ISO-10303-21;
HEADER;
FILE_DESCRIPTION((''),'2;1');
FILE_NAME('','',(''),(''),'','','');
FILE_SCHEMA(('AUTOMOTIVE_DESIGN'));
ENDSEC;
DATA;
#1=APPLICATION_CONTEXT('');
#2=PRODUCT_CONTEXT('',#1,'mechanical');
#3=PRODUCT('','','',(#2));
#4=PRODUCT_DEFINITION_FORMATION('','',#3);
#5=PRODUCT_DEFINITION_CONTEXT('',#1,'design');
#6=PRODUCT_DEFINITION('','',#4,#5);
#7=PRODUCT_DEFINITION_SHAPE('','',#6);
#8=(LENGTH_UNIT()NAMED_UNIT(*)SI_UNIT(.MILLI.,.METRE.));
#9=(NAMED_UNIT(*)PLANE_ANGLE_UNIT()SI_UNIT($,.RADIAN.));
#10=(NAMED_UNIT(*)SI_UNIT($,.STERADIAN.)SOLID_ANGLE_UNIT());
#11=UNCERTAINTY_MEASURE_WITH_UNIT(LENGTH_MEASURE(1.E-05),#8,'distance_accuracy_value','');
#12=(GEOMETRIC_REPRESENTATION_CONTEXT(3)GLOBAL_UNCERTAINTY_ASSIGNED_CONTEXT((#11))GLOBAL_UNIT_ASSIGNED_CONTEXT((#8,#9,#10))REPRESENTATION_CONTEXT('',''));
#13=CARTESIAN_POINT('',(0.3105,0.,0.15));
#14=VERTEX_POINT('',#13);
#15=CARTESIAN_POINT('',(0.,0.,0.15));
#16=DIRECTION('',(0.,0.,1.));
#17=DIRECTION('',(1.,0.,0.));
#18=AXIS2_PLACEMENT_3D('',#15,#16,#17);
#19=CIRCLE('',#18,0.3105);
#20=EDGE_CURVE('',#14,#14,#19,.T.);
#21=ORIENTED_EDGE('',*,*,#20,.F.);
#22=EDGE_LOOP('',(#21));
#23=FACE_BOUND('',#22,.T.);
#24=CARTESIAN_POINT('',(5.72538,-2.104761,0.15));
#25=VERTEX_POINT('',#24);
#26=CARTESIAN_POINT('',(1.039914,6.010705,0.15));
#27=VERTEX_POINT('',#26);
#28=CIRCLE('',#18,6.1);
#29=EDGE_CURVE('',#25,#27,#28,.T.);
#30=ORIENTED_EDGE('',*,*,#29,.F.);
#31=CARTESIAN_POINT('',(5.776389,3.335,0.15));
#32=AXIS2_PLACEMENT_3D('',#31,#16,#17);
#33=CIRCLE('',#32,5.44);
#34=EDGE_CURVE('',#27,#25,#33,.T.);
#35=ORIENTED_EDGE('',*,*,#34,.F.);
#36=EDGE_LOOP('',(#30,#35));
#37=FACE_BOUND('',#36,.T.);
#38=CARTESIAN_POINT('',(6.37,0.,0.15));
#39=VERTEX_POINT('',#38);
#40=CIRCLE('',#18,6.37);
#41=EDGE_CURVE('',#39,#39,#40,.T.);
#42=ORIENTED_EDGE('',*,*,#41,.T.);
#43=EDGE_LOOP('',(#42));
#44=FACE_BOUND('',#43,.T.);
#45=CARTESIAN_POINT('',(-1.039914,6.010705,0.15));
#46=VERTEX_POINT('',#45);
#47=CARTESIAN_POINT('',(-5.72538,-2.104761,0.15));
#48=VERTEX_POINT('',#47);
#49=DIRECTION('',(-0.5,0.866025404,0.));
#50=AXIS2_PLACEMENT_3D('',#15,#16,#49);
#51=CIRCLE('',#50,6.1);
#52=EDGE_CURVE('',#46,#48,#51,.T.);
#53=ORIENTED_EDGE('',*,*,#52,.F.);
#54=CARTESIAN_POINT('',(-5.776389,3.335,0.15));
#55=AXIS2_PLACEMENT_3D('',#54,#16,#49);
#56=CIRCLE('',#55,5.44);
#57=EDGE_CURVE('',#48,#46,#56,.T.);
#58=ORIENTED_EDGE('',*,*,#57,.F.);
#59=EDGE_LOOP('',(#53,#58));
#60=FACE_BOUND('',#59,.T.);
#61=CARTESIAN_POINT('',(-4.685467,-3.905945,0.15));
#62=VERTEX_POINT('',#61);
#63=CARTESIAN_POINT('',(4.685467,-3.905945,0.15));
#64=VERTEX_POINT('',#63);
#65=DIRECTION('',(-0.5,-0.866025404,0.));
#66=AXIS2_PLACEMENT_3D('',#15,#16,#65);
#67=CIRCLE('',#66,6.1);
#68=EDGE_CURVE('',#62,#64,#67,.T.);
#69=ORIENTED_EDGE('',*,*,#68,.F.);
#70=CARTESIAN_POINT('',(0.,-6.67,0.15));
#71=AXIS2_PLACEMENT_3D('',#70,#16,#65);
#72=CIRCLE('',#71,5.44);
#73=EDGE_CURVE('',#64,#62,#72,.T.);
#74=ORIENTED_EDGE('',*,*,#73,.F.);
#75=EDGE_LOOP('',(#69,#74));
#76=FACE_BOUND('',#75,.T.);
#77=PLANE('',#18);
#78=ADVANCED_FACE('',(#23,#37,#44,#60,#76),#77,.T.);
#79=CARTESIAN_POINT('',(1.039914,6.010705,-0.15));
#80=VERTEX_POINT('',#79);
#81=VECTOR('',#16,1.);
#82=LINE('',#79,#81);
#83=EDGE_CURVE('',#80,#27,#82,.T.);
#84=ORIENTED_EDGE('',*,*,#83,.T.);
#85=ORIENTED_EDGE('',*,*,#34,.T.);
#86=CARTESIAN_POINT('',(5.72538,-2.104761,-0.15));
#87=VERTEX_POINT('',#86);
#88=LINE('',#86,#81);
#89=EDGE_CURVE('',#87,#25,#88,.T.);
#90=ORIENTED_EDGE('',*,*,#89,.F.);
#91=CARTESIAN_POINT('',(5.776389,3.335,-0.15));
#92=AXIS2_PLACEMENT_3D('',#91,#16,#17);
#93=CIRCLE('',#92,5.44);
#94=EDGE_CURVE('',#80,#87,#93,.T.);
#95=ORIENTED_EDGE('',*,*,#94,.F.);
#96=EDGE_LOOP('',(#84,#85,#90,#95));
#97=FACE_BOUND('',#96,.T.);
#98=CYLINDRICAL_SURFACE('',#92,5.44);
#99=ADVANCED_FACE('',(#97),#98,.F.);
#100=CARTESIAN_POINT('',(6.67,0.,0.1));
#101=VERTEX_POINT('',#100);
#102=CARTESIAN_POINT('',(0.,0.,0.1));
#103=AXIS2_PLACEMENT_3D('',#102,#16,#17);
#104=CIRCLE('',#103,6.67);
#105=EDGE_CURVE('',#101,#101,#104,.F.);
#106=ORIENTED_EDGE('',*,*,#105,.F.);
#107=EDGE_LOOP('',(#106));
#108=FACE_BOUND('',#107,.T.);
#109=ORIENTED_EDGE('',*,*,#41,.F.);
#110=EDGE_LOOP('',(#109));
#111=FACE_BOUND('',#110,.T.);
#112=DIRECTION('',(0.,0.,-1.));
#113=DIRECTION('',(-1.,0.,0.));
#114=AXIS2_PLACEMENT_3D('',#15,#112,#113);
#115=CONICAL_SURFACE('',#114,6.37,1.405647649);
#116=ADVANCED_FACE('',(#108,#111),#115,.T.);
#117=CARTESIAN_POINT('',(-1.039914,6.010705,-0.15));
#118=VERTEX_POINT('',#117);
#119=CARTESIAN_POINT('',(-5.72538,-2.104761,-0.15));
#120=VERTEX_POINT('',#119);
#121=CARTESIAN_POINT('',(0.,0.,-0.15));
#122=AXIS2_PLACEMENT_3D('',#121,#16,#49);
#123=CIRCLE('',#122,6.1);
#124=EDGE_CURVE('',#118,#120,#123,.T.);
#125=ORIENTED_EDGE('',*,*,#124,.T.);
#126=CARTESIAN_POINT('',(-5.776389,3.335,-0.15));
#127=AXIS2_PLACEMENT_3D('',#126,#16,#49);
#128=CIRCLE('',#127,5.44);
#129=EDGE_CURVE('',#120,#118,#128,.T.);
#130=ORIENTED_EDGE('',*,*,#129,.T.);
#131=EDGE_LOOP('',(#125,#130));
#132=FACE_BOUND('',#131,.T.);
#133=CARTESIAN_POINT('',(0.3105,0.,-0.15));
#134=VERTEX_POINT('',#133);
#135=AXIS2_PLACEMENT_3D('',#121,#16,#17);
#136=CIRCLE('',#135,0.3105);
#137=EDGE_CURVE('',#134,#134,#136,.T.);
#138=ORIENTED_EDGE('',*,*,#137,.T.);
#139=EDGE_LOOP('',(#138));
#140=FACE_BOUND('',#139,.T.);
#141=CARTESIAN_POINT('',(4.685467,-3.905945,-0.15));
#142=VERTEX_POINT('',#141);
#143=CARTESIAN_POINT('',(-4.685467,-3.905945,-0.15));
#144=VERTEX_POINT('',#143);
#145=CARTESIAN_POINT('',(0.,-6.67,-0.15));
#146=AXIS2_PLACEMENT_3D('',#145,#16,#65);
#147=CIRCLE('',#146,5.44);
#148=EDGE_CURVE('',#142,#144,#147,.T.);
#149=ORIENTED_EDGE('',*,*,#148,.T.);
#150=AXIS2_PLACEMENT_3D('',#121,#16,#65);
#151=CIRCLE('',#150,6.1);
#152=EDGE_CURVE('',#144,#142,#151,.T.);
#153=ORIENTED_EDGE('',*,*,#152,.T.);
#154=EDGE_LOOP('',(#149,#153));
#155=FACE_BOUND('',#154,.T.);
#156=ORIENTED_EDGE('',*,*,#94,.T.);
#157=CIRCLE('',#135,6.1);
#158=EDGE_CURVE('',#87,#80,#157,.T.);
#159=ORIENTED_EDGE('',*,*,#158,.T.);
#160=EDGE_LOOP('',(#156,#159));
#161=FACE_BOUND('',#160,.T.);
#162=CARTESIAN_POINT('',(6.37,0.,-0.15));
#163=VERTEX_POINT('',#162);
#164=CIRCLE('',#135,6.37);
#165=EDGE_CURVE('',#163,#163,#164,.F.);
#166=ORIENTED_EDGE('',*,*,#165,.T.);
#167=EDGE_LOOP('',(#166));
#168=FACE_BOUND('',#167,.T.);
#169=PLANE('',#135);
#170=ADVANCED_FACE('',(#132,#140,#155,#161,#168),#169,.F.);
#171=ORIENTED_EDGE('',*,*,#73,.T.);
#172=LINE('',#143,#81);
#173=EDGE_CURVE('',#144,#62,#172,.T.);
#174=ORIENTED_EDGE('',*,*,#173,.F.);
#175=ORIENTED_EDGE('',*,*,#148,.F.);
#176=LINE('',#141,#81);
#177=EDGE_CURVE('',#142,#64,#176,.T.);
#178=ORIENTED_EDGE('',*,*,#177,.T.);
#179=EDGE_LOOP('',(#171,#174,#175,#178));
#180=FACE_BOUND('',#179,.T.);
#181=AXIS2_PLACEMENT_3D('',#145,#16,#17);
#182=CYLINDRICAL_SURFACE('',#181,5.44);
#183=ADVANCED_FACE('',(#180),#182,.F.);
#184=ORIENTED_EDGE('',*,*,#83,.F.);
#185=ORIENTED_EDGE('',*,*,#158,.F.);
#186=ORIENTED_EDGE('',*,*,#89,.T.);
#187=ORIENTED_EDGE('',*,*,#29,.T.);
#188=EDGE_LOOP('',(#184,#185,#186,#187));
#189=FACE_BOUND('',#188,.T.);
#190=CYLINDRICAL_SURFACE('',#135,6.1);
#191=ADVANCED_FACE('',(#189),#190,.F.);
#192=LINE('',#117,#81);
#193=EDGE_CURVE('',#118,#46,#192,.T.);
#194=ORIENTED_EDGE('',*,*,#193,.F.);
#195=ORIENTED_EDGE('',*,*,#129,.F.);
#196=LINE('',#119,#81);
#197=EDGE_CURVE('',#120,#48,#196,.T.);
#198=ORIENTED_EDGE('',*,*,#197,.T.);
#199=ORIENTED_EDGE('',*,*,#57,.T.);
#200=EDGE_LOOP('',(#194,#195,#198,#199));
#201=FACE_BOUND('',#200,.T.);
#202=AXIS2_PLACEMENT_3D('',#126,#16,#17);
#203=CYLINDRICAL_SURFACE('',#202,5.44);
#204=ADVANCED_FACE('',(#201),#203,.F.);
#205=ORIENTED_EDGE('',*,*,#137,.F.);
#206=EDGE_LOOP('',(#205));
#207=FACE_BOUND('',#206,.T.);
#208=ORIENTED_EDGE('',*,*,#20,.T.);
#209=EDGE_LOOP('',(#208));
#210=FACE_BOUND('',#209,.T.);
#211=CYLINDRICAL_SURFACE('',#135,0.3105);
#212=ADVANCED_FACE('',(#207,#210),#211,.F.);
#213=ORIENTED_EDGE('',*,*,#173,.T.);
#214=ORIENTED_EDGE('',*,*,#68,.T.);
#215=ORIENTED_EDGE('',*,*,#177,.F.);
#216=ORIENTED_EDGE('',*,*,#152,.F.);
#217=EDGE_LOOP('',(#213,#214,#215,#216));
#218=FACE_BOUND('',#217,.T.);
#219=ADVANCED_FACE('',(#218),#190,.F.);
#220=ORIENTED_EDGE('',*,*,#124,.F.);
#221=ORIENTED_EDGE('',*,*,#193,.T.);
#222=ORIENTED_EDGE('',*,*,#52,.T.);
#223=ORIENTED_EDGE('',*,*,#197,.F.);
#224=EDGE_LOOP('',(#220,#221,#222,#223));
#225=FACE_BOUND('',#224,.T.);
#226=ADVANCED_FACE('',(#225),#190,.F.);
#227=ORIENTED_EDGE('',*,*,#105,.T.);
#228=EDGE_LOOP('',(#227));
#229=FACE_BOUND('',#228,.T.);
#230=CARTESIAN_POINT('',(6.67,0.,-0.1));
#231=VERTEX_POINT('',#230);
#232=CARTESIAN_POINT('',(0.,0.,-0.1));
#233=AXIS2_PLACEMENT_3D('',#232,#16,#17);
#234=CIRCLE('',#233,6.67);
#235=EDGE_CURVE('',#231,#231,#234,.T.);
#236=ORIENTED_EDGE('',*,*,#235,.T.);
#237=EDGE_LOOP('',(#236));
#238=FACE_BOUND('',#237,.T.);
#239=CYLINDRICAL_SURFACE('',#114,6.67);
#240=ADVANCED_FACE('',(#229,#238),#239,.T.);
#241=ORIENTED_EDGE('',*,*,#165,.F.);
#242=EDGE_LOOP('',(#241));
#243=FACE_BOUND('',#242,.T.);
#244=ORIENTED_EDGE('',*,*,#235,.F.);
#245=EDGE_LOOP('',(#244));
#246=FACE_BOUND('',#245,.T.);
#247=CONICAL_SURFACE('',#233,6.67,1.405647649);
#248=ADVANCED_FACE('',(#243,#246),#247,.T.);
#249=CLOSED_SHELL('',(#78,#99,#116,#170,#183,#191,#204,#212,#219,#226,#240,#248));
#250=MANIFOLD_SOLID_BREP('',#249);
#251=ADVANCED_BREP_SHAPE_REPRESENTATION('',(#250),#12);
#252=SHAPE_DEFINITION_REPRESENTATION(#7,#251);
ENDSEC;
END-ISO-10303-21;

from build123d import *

# Parameters (mm, degrees)
SKETCH1_R               = 6.67
BOSS_EXTRUDE1_DEPTH     = 0.15
CHAMFER1_SIZE           = 0.3
CHAMFER1_SIZE2          = 0.05
CHAMFER2_SIZE           = 0.05
CHAMFER2_SIZE2          = 0.3
SKETCH2_R               = 0.3105
CUT_EXTRUDE1_DEPTH      = 1.15
CUT_EXTRUDE1_DEPTH_BACK = 1.15
CUT_EXTRUDE2_DEPTH      = 1.15
CIRPATTERN1_COUNT       = 3


with BuildPart() as part:
    # Sketch1 → Boss-Extrude1 (new body, symmetric)
    with BuildSketch(Plane.XY):
        Circle(SKETCH1_R)
    extrude(amount=BOSS_EXTRUDE1_DEPTH, both=True)

    # Chamfer1
    chamfer1_edges = [part.edges().sort_by_distance(p)[0] for p in [
        (-6.67, 0, -0.15),
    ]]
    chamfer1_side = [part.faces().sort_by_distance(p)[0] for p in [
        (0, 0, -0.15),
    ]]
    chamfer(chamfer1_edges, length=CHAMFER1_SIZE, length2=CHAMFER1_SIZE2, reference=chamfer1_side[0])

    # Chamfer2
    chamfer2_edges = [part.edges().sort_by_distance(p)[0] for p in [
        (-6.67, 0, 0.15),
    ]]
    chamfer2_side = [part.faces().sort_by_distance(p)[0] for p in [
        (-6.67, 0, 0.025),
    ]]
    chamfer(chamfer2_edges, length=CHAMFER2_SIZE, length2=CHAMFER2_SIZE2, reference=chamfer2_side[0])

    # Sketch2 → Cut-Extrude1 (cut, two sides)
    with BuildSketch(Plane.XY) as cut_extrude1_sk:
        Circle(SKETCH2_R)
    extrude(amount=CUT_EXTRUDE1_DEPTH, mode=Mode.SUBTRACT)
    extrude(cut_extrude1_sk.sketch, amount=-CUT_EXTRUDE1_DEPTH_BACK, mode=Mode.SUBTRACT)

    # Sketch3 → Cut-Extrude2 (cut, symmetric)
    with BuildSketch(Plane.XY):
        with BuildLine():
            ThreePointArc((1.039913882, 6.010705376), (1.065211247, 0.615), (5.725380491, -2.104760848))
            ThreePointArc((5.725380491, -2.104760848), (5.282754963, 3.05), (1.039913882, 6.010705376))
        make_face()
    cut_extrude2 = extrude(amount=CUT_EXTRUDE2_DEPTH, both=True, mode=Mode.SUBTRACT)

    # CirPattern1: Cut-Extrude2 ×3 about axis
    cirpattern1_axis = Axis((0, 0, 0), (0, 0, 1))
    for i in range(1, CIRPATTERN1_COUNT):
        add(cut_extrude2.rotate(cirpattern1_axis, i * 360 / CIRPATTERN1_COUNT), mode=Mode.SUBTRACT)


solid = part.part
